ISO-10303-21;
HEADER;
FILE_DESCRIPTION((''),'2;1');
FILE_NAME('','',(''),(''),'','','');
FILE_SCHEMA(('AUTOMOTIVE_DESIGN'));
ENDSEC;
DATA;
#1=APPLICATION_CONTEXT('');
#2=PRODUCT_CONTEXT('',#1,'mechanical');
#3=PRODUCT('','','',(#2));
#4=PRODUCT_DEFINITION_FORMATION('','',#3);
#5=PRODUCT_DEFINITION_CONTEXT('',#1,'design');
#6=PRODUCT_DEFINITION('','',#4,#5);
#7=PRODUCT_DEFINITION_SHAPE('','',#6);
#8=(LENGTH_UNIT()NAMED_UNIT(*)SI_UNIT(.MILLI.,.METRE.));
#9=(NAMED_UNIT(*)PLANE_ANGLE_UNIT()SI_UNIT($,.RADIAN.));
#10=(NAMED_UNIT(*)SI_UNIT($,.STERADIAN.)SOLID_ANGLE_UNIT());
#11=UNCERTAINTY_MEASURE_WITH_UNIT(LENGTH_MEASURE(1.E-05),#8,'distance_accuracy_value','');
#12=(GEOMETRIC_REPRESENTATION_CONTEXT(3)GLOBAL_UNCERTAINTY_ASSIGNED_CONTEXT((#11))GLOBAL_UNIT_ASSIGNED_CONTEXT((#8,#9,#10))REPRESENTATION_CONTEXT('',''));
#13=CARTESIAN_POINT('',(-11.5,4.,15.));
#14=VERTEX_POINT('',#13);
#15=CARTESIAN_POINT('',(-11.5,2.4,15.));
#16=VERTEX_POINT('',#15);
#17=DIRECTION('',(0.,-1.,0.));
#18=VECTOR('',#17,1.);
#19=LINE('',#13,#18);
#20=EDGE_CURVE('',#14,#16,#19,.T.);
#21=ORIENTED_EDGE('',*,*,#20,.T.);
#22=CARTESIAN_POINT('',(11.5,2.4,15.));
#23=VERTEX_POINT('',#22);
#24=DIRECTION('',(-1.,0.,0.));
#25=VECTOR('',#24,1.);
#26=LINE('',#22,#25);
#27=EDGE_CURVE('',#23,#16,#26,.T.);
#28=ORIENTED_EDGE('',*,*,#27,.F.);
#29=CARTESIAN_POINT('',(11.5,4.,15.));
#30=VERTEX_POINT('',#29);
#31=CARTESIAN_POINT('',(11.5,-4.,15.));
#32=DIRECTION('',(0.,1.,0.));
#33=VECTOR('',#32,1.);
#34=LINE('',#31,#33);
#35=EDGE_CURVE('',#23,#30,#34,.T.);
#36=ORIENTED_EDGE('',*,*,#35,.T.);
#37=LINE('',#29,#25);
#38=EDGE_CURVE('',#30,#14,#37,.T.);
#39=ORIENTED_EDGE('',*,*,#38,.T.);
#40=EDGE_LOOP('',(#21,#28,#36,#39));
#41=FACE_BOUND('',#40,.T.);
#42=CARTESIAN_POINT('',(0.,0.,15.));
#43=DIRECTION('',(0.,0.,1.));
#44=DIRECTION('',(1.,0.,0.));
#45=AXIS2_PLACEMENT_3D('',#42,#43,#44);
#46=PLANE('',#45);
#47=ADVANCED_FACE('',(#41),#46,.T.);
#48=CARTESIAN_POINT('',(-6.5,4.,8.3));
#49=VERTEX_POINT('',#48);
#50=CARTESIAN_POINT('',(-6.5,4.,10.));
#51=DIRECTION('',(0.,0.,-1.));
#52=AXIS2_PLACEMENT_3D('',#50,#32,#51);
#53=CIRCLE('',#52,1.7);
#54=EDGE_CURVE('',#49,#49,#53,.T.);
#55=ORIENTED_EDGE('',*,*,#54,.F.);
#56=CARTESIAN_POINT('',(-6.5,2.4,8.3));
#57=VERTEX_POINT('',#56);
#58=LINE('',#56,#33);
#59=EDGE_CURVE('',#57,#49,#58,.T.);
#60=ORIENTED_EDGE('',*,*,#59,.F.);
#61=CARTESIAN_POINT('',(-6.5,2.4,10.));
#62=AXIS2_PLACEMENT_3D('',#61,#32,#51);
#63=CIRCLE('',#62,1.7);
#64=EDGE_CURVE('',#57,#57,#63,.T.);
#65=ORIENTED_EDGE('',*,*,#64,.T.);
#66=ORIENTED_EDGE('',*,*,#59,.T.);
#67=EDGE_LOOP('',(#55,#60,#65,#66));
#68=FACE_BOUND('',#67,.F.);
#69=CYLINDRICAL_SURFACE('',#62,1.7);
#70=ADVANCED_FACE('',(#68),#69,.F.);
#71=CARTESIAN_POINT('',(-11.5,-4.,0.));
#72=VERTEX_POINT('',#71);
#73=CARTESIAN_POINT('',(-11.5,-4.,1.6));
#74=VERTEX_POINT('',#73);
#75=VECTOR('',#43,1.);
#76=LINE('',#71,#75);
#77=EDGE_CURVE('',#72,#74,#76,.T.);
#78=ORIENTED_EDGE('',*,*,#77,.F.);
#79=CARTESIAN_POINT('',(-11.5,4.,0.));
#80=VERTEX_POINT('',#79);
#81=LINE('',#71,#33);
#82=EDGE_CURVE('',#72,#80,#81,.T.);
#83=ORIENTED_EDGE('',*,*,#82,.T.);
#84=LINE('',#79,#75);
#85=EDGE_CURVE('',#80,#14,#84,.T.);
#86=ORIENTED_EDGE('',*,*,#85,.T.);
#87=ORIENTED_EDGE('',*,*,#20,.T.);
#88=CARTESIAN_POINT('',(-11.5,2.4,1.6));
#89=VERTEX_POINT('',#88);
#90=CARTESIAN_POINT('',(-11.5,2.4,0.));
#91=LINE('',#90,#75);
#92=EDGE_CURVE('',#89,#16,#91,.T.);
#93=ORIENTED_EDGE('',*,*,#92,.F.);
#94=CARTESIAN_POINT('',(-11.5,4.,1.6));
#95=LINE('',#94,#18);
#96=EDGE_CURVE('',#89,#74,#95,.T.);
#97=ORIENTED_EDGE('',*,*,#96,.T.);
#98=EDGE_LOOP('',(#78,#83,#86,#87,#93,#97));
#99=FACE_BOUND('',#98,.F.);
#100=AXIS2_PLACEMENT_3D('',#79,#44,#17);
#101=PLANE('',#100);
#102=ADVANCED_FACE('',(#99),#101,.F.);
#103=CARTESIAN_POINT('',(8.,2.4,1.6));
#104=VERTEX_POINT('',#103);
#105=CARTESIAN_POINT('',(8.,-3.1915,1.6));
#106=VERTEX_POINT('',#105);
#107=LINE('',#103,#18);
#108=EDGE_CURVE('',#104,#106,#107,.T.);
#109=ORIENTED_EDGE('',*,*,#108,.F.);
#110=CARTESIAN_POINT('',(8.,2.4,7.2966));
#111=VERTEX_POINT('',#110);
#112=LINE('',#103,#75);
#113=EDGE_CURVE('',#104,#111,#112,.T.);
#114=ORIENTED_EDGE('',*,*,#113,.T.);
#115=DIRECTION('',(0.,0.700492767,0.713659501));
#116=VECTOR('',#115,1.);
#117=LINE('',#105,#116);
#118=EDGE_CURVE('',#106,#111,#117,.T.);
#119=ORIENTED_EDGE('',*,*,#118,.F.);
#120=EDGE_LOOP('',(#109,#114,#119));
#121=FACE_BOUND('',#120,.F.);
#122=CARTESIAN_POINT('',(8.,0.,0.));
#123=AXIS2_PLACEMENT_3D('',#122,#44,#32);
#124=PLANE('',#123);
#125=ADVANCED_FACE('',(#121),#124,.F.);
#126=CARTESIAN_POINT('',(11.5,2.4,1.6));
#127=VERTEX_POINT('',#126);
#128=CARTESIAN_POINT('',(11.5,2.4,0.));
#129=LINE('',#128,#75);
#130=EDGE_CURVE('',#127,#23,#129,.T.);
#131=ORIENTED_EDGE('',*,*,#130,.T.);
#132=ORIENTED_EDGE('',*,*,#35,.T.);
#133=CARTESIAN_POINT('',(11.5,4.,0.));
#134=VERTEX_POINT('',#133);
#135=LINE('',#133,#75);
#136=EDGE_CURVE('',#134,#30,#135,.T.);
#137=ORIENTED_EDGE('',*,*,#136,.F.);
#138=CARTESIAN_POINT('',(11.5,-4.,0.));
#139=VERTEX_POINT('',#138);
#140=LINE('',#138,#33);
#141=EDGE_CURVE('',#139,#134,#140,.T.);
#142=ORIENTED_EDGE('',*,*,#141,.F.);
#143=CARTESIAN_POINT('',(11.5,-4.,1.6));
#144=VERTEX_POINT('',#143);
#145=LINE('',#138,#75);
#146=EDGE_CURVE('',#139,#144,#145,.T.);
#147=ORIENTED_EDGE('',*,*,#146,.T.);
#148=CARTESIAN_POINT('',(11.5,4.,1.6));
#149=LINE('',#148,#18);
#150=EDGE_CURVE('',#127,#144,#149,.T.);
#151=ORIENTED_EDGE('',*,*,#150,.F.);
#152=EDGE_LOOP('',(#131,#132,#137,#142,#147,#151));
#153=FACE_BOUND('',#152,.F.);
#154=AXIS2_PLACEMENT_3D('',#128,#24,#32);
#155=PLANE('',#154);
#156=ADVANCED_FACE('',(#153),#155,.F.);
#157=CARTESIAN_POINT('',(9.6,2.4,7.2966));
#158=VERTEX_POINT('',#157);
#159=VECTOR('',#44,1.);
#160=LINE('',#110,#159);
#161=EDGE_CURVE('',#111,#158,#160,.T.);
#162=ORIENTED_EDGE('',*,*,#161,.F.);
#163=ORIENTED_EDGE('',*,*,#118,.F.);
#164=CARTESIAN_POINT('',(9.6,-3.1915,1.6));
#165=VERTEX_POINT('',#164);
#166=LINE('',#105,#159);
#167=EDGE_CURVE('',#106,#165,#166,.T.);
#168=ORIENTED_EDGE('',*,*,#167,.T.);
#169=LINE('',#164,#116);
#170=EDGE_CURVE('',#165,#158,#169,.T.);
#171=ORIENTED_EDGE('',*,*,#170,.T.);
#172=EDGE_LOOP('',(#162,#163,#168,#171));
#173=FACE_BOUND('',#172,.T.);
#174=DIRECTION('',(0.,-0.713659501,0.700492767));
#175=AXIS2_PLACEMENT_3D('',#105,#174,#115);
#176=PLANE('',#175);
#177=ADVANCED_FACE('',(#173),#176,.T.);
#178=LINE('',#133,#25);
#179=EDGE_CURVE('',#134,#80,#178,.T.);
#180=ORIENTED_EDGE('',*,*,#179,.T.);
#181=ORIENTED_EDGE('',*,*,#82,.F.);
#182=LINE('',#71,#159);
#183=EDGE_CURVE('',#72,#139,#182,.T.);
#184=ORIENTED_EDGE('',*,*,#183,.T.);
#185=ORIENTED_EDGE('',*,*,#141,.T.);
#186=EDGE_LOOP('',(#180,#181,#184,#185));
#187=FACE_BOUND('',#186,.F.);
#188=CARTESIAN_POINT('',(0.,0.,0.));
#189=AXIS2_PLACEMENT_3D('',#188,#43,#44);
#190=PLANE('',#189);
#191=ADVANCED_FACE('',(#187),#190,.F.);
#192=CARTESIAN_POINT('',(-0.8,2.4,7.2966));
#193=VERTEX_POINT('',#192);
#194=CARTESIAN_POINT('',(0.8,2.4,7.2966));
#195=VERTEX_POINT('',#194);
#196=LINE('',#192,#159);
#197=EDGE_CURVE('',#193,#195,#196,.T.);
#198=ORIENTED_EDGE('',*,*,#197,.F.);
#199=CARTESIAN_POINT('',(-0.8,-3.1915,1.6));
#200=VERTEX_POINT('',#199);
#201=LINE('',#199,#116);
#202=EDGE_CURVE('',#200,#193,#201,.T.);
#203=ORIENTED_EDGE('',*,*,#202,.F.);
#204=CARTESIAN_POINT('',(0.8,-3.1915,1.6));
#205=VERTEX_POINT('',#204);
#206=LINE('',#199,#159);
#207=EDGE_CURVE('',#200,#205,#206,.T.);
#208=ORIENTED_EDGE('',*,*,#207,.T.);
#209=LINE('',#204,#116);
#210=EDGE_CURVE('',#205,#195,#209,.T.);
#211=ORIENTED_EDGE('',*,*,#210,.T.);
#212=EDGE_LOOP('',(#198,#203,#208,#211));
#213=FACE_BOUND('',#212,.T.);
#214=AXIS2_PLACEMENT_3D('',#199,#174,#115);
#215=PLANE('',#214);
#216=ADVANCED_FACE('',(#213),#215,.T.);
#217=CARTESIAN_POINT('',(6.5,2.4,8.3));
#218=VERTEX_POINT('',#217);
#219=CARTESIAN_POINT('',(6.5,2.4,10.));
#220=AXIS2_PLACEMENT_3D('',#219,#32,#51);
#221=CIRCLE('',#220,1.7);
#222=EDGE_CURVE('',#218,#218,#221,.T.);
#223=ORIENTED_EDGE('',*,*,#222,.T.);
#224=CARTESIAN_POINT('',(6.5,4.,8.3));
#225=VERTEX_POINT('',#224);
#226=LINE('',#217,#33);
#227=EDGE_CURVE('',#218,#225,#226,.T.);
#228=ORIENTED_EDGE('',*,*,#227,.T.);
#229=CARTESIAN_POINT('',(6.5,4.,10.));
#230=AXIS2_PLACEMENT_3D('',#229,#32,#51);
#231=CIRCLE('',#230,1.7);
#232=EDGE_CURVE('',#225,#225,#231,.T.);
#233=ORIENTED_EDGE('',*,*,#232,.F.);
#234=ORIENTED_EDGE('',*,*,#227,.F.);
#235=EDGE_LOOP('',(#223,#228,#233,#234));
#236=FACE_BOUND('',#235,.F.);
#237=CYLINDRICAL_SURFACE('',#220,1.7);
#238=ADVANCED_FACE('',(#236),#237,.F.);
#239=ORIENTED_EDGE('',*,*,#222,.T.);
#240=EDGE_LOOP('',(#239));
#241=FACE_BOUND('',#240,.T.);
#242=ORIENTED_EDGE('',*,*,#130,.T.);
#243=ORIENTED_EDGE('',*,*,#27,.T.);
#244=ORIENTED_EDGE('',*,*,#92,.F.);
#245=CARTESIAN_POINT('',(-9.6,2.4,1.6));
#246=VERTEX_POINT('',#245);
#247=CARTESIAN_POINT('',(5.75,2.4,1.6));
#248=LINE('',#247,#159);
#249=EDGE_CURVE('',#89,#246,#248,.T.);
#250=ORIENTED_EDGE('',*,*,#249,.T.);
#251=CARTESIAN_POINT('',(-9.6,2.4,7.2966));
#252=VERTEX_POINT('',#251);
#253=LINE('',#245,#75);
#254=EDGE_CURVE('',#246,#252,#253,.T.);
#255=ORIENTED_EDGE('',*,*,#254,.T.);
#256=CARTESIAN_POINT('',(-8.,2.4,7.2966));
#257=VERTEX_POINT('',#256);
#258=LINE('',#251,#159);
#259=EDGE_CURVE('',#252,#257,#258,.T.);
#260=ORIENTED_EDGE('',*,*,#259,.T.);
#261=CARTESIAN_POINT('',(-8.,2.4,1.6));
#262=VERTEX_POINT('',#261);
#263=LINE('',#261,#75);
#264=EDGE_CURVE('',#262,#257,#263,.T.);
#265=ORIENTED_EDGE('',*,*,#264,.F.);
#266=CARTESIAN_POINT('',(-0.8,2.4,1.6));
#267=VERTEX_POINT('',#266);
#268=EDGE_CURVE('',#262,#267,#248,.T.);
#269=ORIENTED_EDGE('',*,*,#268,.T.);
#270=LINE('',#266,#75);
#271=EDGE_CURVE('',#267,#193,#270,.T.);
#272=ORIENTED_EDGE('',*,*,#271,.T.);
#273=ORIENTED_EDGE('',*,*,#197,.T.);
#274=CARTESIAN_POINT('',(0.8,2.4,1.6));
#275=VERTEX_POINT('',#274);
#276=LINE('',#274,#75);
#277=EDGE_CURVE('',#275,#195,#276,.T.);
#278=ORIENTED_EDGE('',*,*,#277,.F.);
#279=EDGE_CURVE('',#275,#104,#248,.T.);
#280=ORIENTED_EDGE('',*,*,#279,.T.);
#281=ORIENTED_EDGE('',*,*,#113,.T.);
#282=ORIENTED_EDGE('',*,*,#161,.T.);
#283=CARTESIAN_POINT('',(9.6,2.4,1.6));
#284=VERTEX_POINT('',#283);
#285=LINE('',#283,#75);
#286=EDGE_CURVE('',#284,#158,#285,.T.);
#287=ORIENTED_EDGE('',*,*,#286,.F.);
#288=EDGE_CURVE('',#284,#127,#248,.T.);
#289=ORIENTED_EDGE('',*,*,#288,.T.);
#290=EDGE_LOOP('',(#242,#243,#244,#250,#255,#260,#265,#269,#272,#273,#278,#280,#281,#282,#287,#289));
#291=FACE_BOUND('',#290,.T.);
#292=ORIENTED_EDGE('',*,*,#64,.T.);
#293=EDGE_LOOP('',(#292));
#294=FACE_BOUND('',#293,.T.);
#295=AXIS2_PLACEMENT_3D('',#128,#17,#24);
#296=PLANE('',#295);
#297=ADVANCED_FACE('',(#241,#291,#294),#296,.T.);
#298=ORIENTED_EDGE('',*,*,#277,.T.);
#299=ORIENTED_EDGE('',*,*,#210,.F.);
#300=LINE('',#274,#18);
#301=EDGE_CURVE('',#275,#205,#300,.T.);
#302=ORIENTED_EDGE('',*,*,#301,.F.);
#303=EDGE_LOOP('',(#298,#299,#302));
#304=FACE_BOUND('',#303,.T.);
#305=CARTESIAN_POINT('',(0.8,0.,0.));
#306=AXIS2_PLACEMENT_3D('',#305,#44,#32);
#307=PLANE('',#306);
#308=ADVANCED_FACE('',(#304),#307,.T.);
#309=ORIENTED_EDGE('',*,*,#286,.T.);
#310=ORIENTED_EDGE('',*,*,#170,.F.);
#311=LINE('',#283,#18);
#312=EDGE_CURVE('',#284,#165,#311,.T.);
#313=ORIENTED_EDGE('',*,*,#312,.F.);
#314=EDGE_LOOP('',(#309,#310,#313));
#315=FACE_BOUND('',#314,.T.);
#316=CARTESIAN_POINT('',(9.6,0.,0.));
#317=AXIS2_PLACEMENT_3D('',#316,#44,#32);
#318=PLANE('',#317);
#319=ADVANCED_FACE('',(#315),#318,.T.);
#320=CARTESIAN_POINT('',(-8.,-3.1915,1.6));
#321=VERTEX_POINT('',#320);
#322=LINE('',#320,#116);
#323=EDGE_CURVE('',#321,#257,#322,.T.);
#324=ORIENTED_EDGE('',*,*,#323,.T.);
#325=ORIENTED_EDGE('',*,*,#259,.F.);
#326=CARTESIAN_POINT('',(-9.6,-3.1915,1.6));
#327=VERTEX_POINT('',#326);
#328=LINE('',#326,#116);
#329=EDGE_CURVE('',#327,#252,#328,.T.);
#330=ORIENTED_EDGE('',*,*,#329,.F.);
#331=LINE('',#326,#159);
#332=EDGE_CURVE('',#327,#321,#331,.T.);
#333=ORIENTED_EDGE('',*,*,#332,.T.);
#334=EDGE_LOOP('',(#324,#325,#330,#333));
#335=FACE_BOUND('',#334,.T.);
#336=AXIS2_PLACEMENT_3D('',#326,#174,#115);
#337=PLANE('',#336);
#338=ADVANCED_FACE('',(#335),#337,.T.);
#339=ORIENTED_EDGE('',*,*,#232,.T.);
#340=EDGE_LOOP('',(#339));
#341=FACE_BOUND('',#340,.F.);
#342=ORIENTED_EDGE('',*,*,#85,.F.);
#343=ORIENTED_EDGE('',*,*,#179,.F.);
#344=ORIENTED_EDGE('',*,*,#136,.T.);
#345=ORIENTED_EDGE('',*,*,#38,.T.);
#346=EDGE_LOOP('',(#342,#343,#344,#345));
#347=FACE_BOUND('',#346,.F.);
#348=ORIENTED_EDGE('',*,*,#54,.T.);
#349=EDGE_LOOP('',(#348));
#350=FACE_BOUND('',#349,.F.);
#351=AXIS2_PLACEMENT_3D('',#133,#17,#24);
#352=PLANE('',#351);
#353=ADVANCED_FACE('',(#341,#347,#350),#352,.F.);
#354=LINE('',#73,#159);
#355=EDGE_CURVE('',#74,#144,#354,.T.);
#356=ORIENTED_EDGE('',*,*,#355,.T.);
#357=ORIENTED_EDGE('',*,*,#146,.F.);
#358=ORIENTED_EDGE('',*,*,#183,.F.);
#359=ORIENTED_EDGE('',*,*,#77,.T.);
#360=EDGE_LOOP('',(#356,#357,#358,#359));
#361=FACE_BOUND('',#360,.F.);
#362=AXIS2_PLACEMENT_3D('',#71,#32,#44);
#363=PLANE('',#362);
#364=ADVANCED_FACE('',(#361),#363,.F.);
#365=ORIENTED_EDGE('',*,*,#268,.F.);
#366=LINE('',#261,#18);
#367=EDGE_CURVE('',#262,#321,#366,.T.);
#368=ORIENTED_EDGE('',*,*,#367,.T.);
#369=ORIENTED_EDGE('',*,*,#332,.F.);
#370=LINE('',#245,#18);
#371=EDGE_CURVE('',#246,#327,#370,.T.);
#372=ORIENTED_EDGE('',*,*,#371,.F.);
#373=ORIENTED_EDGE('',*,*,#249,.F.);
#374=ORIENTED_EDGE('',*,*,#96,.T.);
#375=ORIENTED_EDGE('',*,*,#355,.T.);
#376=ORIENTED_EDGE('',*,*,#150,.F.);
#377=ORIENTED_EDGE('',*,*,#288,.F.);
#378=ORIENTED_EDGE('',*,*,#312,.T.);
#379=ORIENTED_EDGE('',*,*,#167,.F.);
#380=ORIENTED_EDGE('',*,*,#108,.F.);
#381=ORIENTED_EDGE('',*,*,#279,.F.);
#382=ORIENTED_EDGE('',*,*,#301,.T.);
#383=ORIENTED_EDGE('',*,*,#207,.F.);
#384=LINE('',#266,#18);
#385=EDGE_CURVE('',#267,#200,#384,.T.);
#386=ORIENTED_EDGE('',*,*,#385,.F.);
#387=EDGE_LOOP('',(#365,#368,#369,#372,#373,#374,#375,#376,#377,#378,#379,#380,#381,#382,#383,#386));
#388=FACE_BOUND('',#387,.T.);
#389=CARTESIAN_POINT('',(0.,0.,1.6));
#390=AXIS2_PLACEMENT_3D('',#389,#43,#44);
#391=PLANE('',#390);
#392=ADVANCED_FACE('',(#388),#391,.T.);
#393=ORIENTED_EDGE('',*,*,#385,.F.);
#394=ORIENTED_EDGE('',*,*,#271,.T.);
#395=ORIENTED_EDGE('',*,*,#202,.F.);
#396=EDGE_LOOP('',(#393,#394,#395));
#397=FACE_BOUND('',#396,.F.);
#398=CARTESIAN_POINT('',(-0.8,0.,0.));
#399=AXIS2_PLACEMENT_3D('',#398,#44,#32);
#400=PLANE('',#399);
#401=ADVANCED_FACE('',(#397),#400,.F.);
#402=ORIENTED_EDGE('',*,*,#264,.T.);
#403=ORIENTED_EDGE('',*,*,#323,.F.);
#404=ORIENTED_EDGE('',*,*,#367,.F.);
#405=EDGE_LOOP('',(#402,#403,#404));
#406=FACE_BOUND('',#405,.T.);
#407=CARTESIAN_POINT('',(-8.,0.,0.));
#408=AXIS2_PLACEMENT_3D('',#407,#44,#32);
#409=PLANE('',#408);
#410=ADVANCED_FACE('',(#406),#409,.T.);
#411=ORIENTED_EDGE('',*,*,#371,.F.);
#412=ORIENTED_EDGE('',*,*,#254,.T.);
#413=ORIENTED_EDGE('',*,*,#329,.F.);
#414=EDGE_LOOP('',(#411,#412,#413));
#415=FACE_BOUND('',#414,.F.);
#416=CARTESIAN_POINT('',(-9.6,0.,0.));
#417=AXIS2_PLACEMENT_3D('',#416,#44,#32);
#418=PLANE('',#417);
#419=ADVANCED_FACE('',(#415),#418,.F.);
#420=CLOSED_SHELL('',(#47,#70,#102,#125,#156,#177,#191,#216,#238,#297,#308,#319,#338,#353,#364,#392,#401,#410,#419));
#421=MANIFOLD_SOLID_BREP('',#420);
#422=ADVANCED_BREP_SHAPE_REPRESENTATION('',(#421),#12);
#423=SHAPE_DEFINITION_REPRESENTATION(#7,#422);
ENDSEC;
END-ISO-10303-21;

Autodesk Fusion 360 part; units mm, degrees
sketch "Sketch1" plane through (0, 0, 0) normal (0, 0, 1) x (1, 0, 0)
  line L0 (11.5, 4) -> (-11.5, 4)
  line L1 (-11.5, 4) -> (-11.5, -4)
  line L2 (-11.5, -4) -> (11.5, -4)
  line L3 (11.5, -4) -> (11.5, 4)
  line L4 (11.5, 4) -> (-11.5, -4) construction
  line L5 (-11.5, 4) -> (11.5, -4) construction
  line L6 (-11.5, 4) -> (11.5, 4)
  line L7 (11.5, 4) -> (11.5, 2.4)
  line L8 (11.5, 2.4) -> (-11.5, 2.4)
  line L9 (-11.5, 2.4) -> (-11.5, 4)
  dimension "d1" = 23
  dimension "d2" = 8
  dimension "d3" = 1.6
extrude "Extrude1" add sketch "Sketch1" along normal blind 1.6
extrude "Extrude2" add sketch "Sketch1" along normal blind 15 contours L0 L1 L3 L6 L7 L8 L9
hole "Hole1" at (-6.5, 2.4, 10) direction (0, 1, 0) diameter 3.4 depth 9 tip angle 118
hole "Hole2" at (6.5, 2.4, 10) direction (0, 1, 0) diameter 3.4 depth 12 tip angle 118
sketch "Sketch2" plane through (0, 0, 0) normal (1, 0, 0) x (0, 1, 0)
  line L0 (2.4, 1.6) -> (-4, 1.6)
  line L1 (-4, 1.6) -> (2.4, 1.6)
  line L2 (2.4, 1.6) -> (2.4, 15)
  line L3 (-3.1915, 1.6) -> (2.4, 7.2966)
  line L4 (2.4, 1.6) -> (-3.1915, 1.6)
extrude "Extrude3" add sketch "Sketch2" along normal blind 1.6 from surface at -9.6
extrude "Extrude4" add sketch "Sketch2" along normal blind 1.6 from surface at -0.8
extrude "Extrude5" add sketch "Sketch2" along normal blind 1.6 from surface at 8
